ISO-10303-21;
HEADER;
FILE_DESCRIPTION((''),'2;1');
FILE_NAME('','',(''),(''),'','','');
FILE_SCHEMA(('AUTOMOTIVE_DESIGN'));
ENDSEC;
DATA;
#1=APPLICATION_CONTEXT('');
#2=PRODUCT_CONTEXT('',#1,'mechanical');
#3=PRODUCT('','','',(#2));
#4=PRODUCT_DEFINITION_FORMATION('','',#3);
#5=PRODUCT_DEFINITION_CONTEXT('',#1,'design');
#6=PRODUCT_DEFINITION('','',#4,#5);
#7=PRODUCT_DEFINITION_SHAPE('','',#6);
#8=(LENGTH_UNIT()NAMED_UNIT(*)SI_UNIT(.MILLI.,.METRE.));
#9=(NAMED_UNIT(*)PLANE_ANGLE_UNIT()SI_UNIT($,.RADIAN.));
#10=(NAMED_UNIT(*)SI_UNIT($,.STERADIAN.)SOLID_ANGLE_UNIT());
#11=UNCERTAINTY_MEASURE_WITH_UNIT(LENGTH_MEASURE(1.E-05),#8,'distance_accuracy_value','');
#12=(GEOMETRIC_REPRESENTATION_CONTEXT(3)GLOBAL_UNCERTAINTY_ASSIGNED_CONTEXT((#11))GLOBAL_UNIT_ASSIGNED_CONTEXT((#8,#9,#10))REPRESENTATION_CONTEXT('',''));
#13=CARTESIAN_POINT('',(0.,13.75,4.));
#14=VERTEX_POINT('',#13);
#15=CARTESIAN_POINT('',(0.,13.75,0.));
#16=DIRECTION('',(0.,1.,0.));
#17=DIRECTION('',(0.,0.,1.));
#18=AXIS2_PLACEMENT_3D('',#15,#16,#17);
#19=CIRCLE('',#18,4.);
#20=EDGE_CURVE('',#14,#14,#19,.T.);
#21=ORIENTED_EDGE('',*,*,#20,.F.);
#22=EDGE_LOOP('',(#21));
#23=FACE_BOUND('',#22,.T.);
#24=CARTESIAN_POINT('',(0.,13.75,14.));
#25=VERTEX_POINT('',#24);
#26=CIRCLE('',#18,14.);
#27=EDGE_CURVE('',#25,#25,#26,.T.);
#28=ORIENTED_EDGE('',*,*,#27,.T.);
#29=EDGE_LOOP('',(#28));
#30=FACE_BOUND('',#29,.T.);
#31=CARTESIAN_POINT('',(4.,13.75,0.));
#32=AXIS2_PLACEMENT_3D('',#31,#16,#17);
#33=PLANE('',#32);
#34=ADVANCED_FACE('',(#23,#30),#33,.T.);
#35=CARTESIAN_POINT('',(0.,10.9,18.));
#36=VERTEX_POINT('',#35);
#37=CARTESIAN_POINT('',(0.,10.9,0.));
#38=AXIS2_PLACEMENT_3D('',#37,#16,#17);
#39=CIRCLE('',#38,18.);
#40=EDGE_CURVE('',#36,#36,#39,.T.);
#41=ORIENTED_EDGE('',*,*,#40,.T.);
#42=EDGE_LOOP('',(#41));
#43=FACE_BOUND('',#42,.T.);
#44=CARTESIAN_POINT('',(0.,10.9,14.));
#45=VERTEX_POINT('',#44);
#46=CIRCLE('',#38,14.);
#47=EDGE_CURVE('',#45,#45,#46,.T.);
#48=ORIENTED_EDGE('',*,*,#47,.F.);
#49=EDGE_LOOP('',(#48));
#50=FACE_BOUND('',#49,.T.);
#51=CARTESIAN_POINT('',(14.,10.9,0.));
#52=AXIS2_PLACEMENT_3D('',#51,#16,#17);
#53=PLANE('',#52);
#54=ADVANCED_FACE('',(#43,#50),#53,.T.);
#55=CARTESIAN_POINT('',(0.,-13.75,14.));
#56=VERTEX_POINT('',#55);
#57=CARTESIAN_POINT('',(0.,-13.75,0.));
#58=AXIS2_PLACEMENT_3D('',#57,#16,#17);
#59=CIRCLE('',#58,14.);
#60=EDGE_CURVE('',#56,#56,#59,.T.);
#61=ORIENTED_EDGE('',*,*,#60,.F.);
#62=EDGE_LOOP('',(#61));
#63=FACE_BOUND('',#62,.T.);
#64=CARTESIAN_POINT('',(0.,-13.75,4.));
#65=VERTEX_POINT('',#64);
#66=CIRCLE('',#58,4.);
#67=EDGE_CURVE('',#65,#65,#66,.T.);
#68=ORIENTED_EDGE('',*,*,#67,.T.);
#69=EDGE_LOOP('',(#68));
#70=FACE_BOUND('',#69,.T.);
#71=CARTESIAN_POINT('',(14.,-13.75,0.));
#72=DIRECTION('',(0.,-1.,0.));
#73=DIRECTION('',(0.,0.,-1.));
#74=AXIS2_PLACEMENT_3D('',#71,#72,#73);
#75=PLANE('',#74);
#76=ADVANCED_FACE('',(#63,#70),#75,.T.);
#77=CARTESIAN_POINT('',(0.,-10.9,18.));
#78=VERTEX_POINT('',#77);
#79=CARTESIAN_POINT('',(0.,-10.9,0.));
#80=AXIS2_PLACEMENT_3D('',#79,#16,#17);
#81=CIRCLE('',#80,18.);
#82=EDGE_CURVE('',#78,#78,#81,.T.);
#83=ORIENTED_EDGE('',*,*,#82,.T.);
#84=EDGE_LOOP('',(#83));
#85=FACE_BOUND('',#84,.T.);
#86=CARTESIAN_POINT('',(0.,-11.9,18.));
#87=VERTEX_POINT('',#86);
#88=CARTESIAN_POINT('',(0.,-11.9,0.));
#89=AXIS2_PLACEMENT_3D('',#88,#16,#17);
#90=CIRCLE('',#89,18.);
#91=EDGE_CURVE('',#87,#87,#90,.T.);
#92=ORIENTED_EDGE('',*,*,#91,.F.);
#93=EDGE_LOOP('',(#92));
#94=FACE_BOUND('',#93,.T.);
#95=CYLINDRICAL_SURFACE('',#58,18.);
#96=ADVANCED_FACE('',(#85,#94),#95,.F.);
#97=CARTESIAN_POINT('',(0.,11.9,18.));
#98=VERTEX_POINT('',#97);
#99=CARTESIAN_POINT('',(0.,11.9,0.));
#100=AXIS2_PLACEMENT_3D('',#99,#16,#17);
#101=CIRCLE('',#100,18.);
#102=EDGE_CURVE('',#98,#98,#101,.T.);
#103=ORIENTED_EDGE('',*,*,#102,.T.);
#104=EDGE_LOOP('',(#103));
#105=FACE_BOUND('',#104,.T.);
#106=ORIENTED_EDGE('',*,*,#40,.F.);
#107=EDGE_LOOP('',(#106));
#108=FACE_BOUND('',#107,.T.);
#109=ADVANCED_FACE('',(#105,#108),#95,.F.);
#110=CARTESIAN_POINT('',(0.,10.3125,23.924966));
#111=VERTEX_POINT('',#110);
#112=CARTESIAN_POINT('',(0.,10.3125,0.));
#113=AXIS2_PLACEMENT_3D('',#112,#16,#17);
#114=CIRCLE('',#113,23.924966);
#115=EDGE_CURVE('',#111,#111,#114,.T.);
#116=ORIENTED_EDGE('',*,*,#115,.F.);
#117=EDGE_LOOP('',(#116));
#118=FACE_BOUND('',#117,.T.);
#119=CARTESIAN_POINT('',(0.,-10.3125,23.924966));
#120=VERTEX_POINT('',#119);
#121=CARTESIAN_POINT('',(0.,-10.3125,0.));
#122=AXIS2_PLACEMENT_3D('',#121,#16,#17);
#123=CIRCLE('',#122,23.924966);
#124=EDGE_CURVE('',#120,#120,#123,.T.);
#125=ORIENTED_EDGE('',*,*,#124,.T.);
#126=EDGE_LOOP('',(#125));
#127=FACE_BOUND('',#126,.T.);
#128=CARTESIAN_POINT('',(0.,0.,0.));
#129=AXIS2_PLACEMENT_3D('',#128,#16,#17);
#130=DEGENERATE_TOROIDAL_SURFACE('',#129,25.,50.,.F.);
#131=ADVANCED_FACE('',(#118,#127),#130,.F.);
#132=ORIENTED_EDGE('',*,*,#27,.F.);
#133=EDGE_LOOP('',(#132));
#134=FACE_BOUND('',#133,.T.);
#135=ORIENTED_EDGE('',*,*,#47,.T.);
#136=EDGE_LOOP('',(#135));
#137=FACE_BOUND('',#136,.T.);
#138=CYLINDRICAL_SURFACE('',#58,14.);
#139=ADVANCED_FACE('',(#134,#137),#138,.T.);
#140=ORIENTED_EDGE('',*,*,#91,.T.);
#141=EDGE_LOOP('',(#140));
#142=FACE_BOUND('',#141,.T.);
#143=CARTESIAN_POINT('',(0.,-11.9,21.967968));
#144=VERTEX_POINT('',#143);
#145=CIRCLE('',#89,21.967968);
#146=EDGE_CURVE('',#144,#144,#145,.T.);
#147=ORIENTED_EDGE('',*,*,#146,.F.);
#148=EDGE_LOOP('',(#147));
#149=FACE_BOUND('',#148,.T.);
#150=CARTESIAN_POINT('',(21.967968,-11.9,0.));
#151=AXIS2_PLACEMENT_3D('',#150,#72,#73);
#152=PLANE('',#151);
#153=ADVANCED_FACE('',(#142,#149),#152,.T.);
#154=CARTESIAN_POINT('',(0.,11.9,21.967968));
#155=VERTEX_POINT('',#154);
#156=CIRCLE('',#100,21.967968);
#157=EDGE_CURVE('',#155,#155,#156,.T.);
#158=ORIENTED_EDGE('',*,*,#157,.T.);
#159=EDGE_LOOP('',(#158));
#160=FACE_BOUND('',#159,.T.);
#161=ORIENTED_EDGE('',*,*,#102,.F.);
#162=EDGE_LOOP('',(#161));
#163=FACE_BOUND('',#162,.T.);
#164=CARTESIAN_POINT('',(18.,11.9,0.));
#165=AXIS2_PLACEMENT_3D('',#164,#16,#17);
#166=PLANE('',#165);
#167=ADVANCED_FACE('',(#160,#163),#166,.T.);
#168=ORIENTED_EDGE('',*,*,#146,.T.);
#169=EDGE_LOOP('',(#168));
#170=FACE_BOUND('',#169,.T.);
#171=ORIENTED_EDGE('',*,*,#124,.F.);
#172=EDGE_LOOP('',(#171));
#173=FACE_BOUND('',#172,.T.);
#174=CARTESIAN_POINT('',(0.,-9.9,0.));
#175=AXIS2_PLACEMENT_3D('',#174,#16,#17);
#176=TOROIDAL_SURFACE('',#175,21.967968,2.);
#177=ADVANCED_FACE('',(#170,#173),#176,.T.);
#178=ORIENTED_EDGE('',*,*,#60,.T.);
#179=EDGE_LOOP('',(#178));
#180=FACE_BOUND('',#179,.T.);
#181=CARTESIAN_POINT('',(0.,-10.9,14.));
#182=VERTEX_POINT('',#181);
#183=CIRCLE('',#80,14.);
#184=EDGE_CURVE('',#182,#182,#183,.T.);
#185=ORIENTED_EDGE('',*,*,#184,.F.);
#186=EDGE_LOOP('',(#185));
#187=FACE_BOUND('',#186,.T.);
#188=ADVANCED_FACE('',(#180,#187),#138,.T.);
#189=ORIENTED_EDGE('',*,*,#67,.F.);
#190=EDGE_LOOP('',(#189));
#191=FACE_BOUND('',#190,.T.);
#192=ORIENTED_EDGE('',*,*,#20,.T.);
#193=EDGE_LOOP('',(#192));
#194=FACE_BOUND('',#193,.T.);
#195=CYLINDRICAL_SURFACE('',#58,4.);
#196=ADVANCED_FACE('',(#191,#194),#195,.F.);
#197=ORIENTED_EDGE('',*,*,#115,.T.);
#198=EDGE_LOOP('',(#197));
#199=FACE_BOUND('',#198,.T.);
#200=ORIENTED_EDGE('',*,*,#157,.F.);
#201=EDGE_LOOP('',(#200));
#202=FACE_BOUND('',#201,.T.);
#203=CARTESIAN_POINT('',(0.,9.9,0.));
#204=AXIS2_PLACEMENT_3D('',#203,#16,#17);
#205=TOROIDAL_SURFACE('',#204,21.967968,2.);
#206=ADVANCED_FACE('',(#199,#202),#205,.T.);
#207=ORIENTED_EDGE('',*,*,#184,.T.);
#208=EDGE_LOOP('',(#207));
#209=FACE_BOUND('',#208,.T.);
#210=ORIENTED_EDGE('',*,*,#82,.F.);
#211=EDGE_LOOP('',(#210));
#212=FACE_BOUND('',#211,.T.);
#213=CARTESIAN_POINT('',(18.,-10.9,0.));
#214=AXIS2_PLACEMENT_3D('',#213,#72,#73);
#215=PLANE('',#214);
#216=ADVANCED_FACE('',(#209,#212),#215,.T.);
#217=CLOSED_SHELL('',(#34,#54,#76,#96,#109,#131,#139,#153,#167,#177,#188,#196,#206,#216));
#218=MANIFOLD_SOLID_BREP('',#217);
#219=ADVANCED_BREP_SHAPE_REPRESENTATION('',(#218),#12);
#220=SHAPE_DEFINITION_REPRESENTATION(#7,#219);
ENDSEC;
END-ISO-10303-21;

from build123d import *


with BuildPart() as part:
    # 草图1 → 旋转1 (revolve)
    with BuildSketch(Plane(origin=(0, 0, 0), x_dir=(-1, 0, 0), z_dir=(0, 0, -1)), mode=Mode.PRIVATE) as revolve_1_sk:
        with BuildLine():
            Line((-14, -13.75), (-4, -13.75))
            Line((-4, -13.75), (-4, 13.75))
            Line((-4, 13.75), (-14, 13.75))
            Line((-14, 13.75), (-14, 10.9))
            Line((-14, 10.9), (-18, 10.9))
            Line((-18, 10.9), (-18, 11.9))
            Line((-18, 11.9), (-21.967967808, 11.9))
            ThreePointArc((-21.967967808, 11.9), (-23.227928125, 11.453222457), (-23.924966467, 10.3125))
            ThreePointArc((-23.924966467, 10.3125), (-25, 0), (-23.924966467, -10.3125))
            ThreePointArc((-23.924966467, -10.3125), (-23.227928125, -11.453222457), (-21.967967808, -11.9))
            Line((-21.967967808, -11.9), (-18, -11.9))
            Line((-18, -11.9), (-18, -10.9))
            Line((-18, -10.9), (-14, -10.9))
            Line((-14, -10.9), (-14, -13.75))
        make_face()
    revolve(revolve_1_sk.sketch.rotate(Axis((0, -13.75, 0), (0, 1, 0)), 270), axis=Axis((0, -13.75, 0), (0, 1, 0)))


solid = part.part
